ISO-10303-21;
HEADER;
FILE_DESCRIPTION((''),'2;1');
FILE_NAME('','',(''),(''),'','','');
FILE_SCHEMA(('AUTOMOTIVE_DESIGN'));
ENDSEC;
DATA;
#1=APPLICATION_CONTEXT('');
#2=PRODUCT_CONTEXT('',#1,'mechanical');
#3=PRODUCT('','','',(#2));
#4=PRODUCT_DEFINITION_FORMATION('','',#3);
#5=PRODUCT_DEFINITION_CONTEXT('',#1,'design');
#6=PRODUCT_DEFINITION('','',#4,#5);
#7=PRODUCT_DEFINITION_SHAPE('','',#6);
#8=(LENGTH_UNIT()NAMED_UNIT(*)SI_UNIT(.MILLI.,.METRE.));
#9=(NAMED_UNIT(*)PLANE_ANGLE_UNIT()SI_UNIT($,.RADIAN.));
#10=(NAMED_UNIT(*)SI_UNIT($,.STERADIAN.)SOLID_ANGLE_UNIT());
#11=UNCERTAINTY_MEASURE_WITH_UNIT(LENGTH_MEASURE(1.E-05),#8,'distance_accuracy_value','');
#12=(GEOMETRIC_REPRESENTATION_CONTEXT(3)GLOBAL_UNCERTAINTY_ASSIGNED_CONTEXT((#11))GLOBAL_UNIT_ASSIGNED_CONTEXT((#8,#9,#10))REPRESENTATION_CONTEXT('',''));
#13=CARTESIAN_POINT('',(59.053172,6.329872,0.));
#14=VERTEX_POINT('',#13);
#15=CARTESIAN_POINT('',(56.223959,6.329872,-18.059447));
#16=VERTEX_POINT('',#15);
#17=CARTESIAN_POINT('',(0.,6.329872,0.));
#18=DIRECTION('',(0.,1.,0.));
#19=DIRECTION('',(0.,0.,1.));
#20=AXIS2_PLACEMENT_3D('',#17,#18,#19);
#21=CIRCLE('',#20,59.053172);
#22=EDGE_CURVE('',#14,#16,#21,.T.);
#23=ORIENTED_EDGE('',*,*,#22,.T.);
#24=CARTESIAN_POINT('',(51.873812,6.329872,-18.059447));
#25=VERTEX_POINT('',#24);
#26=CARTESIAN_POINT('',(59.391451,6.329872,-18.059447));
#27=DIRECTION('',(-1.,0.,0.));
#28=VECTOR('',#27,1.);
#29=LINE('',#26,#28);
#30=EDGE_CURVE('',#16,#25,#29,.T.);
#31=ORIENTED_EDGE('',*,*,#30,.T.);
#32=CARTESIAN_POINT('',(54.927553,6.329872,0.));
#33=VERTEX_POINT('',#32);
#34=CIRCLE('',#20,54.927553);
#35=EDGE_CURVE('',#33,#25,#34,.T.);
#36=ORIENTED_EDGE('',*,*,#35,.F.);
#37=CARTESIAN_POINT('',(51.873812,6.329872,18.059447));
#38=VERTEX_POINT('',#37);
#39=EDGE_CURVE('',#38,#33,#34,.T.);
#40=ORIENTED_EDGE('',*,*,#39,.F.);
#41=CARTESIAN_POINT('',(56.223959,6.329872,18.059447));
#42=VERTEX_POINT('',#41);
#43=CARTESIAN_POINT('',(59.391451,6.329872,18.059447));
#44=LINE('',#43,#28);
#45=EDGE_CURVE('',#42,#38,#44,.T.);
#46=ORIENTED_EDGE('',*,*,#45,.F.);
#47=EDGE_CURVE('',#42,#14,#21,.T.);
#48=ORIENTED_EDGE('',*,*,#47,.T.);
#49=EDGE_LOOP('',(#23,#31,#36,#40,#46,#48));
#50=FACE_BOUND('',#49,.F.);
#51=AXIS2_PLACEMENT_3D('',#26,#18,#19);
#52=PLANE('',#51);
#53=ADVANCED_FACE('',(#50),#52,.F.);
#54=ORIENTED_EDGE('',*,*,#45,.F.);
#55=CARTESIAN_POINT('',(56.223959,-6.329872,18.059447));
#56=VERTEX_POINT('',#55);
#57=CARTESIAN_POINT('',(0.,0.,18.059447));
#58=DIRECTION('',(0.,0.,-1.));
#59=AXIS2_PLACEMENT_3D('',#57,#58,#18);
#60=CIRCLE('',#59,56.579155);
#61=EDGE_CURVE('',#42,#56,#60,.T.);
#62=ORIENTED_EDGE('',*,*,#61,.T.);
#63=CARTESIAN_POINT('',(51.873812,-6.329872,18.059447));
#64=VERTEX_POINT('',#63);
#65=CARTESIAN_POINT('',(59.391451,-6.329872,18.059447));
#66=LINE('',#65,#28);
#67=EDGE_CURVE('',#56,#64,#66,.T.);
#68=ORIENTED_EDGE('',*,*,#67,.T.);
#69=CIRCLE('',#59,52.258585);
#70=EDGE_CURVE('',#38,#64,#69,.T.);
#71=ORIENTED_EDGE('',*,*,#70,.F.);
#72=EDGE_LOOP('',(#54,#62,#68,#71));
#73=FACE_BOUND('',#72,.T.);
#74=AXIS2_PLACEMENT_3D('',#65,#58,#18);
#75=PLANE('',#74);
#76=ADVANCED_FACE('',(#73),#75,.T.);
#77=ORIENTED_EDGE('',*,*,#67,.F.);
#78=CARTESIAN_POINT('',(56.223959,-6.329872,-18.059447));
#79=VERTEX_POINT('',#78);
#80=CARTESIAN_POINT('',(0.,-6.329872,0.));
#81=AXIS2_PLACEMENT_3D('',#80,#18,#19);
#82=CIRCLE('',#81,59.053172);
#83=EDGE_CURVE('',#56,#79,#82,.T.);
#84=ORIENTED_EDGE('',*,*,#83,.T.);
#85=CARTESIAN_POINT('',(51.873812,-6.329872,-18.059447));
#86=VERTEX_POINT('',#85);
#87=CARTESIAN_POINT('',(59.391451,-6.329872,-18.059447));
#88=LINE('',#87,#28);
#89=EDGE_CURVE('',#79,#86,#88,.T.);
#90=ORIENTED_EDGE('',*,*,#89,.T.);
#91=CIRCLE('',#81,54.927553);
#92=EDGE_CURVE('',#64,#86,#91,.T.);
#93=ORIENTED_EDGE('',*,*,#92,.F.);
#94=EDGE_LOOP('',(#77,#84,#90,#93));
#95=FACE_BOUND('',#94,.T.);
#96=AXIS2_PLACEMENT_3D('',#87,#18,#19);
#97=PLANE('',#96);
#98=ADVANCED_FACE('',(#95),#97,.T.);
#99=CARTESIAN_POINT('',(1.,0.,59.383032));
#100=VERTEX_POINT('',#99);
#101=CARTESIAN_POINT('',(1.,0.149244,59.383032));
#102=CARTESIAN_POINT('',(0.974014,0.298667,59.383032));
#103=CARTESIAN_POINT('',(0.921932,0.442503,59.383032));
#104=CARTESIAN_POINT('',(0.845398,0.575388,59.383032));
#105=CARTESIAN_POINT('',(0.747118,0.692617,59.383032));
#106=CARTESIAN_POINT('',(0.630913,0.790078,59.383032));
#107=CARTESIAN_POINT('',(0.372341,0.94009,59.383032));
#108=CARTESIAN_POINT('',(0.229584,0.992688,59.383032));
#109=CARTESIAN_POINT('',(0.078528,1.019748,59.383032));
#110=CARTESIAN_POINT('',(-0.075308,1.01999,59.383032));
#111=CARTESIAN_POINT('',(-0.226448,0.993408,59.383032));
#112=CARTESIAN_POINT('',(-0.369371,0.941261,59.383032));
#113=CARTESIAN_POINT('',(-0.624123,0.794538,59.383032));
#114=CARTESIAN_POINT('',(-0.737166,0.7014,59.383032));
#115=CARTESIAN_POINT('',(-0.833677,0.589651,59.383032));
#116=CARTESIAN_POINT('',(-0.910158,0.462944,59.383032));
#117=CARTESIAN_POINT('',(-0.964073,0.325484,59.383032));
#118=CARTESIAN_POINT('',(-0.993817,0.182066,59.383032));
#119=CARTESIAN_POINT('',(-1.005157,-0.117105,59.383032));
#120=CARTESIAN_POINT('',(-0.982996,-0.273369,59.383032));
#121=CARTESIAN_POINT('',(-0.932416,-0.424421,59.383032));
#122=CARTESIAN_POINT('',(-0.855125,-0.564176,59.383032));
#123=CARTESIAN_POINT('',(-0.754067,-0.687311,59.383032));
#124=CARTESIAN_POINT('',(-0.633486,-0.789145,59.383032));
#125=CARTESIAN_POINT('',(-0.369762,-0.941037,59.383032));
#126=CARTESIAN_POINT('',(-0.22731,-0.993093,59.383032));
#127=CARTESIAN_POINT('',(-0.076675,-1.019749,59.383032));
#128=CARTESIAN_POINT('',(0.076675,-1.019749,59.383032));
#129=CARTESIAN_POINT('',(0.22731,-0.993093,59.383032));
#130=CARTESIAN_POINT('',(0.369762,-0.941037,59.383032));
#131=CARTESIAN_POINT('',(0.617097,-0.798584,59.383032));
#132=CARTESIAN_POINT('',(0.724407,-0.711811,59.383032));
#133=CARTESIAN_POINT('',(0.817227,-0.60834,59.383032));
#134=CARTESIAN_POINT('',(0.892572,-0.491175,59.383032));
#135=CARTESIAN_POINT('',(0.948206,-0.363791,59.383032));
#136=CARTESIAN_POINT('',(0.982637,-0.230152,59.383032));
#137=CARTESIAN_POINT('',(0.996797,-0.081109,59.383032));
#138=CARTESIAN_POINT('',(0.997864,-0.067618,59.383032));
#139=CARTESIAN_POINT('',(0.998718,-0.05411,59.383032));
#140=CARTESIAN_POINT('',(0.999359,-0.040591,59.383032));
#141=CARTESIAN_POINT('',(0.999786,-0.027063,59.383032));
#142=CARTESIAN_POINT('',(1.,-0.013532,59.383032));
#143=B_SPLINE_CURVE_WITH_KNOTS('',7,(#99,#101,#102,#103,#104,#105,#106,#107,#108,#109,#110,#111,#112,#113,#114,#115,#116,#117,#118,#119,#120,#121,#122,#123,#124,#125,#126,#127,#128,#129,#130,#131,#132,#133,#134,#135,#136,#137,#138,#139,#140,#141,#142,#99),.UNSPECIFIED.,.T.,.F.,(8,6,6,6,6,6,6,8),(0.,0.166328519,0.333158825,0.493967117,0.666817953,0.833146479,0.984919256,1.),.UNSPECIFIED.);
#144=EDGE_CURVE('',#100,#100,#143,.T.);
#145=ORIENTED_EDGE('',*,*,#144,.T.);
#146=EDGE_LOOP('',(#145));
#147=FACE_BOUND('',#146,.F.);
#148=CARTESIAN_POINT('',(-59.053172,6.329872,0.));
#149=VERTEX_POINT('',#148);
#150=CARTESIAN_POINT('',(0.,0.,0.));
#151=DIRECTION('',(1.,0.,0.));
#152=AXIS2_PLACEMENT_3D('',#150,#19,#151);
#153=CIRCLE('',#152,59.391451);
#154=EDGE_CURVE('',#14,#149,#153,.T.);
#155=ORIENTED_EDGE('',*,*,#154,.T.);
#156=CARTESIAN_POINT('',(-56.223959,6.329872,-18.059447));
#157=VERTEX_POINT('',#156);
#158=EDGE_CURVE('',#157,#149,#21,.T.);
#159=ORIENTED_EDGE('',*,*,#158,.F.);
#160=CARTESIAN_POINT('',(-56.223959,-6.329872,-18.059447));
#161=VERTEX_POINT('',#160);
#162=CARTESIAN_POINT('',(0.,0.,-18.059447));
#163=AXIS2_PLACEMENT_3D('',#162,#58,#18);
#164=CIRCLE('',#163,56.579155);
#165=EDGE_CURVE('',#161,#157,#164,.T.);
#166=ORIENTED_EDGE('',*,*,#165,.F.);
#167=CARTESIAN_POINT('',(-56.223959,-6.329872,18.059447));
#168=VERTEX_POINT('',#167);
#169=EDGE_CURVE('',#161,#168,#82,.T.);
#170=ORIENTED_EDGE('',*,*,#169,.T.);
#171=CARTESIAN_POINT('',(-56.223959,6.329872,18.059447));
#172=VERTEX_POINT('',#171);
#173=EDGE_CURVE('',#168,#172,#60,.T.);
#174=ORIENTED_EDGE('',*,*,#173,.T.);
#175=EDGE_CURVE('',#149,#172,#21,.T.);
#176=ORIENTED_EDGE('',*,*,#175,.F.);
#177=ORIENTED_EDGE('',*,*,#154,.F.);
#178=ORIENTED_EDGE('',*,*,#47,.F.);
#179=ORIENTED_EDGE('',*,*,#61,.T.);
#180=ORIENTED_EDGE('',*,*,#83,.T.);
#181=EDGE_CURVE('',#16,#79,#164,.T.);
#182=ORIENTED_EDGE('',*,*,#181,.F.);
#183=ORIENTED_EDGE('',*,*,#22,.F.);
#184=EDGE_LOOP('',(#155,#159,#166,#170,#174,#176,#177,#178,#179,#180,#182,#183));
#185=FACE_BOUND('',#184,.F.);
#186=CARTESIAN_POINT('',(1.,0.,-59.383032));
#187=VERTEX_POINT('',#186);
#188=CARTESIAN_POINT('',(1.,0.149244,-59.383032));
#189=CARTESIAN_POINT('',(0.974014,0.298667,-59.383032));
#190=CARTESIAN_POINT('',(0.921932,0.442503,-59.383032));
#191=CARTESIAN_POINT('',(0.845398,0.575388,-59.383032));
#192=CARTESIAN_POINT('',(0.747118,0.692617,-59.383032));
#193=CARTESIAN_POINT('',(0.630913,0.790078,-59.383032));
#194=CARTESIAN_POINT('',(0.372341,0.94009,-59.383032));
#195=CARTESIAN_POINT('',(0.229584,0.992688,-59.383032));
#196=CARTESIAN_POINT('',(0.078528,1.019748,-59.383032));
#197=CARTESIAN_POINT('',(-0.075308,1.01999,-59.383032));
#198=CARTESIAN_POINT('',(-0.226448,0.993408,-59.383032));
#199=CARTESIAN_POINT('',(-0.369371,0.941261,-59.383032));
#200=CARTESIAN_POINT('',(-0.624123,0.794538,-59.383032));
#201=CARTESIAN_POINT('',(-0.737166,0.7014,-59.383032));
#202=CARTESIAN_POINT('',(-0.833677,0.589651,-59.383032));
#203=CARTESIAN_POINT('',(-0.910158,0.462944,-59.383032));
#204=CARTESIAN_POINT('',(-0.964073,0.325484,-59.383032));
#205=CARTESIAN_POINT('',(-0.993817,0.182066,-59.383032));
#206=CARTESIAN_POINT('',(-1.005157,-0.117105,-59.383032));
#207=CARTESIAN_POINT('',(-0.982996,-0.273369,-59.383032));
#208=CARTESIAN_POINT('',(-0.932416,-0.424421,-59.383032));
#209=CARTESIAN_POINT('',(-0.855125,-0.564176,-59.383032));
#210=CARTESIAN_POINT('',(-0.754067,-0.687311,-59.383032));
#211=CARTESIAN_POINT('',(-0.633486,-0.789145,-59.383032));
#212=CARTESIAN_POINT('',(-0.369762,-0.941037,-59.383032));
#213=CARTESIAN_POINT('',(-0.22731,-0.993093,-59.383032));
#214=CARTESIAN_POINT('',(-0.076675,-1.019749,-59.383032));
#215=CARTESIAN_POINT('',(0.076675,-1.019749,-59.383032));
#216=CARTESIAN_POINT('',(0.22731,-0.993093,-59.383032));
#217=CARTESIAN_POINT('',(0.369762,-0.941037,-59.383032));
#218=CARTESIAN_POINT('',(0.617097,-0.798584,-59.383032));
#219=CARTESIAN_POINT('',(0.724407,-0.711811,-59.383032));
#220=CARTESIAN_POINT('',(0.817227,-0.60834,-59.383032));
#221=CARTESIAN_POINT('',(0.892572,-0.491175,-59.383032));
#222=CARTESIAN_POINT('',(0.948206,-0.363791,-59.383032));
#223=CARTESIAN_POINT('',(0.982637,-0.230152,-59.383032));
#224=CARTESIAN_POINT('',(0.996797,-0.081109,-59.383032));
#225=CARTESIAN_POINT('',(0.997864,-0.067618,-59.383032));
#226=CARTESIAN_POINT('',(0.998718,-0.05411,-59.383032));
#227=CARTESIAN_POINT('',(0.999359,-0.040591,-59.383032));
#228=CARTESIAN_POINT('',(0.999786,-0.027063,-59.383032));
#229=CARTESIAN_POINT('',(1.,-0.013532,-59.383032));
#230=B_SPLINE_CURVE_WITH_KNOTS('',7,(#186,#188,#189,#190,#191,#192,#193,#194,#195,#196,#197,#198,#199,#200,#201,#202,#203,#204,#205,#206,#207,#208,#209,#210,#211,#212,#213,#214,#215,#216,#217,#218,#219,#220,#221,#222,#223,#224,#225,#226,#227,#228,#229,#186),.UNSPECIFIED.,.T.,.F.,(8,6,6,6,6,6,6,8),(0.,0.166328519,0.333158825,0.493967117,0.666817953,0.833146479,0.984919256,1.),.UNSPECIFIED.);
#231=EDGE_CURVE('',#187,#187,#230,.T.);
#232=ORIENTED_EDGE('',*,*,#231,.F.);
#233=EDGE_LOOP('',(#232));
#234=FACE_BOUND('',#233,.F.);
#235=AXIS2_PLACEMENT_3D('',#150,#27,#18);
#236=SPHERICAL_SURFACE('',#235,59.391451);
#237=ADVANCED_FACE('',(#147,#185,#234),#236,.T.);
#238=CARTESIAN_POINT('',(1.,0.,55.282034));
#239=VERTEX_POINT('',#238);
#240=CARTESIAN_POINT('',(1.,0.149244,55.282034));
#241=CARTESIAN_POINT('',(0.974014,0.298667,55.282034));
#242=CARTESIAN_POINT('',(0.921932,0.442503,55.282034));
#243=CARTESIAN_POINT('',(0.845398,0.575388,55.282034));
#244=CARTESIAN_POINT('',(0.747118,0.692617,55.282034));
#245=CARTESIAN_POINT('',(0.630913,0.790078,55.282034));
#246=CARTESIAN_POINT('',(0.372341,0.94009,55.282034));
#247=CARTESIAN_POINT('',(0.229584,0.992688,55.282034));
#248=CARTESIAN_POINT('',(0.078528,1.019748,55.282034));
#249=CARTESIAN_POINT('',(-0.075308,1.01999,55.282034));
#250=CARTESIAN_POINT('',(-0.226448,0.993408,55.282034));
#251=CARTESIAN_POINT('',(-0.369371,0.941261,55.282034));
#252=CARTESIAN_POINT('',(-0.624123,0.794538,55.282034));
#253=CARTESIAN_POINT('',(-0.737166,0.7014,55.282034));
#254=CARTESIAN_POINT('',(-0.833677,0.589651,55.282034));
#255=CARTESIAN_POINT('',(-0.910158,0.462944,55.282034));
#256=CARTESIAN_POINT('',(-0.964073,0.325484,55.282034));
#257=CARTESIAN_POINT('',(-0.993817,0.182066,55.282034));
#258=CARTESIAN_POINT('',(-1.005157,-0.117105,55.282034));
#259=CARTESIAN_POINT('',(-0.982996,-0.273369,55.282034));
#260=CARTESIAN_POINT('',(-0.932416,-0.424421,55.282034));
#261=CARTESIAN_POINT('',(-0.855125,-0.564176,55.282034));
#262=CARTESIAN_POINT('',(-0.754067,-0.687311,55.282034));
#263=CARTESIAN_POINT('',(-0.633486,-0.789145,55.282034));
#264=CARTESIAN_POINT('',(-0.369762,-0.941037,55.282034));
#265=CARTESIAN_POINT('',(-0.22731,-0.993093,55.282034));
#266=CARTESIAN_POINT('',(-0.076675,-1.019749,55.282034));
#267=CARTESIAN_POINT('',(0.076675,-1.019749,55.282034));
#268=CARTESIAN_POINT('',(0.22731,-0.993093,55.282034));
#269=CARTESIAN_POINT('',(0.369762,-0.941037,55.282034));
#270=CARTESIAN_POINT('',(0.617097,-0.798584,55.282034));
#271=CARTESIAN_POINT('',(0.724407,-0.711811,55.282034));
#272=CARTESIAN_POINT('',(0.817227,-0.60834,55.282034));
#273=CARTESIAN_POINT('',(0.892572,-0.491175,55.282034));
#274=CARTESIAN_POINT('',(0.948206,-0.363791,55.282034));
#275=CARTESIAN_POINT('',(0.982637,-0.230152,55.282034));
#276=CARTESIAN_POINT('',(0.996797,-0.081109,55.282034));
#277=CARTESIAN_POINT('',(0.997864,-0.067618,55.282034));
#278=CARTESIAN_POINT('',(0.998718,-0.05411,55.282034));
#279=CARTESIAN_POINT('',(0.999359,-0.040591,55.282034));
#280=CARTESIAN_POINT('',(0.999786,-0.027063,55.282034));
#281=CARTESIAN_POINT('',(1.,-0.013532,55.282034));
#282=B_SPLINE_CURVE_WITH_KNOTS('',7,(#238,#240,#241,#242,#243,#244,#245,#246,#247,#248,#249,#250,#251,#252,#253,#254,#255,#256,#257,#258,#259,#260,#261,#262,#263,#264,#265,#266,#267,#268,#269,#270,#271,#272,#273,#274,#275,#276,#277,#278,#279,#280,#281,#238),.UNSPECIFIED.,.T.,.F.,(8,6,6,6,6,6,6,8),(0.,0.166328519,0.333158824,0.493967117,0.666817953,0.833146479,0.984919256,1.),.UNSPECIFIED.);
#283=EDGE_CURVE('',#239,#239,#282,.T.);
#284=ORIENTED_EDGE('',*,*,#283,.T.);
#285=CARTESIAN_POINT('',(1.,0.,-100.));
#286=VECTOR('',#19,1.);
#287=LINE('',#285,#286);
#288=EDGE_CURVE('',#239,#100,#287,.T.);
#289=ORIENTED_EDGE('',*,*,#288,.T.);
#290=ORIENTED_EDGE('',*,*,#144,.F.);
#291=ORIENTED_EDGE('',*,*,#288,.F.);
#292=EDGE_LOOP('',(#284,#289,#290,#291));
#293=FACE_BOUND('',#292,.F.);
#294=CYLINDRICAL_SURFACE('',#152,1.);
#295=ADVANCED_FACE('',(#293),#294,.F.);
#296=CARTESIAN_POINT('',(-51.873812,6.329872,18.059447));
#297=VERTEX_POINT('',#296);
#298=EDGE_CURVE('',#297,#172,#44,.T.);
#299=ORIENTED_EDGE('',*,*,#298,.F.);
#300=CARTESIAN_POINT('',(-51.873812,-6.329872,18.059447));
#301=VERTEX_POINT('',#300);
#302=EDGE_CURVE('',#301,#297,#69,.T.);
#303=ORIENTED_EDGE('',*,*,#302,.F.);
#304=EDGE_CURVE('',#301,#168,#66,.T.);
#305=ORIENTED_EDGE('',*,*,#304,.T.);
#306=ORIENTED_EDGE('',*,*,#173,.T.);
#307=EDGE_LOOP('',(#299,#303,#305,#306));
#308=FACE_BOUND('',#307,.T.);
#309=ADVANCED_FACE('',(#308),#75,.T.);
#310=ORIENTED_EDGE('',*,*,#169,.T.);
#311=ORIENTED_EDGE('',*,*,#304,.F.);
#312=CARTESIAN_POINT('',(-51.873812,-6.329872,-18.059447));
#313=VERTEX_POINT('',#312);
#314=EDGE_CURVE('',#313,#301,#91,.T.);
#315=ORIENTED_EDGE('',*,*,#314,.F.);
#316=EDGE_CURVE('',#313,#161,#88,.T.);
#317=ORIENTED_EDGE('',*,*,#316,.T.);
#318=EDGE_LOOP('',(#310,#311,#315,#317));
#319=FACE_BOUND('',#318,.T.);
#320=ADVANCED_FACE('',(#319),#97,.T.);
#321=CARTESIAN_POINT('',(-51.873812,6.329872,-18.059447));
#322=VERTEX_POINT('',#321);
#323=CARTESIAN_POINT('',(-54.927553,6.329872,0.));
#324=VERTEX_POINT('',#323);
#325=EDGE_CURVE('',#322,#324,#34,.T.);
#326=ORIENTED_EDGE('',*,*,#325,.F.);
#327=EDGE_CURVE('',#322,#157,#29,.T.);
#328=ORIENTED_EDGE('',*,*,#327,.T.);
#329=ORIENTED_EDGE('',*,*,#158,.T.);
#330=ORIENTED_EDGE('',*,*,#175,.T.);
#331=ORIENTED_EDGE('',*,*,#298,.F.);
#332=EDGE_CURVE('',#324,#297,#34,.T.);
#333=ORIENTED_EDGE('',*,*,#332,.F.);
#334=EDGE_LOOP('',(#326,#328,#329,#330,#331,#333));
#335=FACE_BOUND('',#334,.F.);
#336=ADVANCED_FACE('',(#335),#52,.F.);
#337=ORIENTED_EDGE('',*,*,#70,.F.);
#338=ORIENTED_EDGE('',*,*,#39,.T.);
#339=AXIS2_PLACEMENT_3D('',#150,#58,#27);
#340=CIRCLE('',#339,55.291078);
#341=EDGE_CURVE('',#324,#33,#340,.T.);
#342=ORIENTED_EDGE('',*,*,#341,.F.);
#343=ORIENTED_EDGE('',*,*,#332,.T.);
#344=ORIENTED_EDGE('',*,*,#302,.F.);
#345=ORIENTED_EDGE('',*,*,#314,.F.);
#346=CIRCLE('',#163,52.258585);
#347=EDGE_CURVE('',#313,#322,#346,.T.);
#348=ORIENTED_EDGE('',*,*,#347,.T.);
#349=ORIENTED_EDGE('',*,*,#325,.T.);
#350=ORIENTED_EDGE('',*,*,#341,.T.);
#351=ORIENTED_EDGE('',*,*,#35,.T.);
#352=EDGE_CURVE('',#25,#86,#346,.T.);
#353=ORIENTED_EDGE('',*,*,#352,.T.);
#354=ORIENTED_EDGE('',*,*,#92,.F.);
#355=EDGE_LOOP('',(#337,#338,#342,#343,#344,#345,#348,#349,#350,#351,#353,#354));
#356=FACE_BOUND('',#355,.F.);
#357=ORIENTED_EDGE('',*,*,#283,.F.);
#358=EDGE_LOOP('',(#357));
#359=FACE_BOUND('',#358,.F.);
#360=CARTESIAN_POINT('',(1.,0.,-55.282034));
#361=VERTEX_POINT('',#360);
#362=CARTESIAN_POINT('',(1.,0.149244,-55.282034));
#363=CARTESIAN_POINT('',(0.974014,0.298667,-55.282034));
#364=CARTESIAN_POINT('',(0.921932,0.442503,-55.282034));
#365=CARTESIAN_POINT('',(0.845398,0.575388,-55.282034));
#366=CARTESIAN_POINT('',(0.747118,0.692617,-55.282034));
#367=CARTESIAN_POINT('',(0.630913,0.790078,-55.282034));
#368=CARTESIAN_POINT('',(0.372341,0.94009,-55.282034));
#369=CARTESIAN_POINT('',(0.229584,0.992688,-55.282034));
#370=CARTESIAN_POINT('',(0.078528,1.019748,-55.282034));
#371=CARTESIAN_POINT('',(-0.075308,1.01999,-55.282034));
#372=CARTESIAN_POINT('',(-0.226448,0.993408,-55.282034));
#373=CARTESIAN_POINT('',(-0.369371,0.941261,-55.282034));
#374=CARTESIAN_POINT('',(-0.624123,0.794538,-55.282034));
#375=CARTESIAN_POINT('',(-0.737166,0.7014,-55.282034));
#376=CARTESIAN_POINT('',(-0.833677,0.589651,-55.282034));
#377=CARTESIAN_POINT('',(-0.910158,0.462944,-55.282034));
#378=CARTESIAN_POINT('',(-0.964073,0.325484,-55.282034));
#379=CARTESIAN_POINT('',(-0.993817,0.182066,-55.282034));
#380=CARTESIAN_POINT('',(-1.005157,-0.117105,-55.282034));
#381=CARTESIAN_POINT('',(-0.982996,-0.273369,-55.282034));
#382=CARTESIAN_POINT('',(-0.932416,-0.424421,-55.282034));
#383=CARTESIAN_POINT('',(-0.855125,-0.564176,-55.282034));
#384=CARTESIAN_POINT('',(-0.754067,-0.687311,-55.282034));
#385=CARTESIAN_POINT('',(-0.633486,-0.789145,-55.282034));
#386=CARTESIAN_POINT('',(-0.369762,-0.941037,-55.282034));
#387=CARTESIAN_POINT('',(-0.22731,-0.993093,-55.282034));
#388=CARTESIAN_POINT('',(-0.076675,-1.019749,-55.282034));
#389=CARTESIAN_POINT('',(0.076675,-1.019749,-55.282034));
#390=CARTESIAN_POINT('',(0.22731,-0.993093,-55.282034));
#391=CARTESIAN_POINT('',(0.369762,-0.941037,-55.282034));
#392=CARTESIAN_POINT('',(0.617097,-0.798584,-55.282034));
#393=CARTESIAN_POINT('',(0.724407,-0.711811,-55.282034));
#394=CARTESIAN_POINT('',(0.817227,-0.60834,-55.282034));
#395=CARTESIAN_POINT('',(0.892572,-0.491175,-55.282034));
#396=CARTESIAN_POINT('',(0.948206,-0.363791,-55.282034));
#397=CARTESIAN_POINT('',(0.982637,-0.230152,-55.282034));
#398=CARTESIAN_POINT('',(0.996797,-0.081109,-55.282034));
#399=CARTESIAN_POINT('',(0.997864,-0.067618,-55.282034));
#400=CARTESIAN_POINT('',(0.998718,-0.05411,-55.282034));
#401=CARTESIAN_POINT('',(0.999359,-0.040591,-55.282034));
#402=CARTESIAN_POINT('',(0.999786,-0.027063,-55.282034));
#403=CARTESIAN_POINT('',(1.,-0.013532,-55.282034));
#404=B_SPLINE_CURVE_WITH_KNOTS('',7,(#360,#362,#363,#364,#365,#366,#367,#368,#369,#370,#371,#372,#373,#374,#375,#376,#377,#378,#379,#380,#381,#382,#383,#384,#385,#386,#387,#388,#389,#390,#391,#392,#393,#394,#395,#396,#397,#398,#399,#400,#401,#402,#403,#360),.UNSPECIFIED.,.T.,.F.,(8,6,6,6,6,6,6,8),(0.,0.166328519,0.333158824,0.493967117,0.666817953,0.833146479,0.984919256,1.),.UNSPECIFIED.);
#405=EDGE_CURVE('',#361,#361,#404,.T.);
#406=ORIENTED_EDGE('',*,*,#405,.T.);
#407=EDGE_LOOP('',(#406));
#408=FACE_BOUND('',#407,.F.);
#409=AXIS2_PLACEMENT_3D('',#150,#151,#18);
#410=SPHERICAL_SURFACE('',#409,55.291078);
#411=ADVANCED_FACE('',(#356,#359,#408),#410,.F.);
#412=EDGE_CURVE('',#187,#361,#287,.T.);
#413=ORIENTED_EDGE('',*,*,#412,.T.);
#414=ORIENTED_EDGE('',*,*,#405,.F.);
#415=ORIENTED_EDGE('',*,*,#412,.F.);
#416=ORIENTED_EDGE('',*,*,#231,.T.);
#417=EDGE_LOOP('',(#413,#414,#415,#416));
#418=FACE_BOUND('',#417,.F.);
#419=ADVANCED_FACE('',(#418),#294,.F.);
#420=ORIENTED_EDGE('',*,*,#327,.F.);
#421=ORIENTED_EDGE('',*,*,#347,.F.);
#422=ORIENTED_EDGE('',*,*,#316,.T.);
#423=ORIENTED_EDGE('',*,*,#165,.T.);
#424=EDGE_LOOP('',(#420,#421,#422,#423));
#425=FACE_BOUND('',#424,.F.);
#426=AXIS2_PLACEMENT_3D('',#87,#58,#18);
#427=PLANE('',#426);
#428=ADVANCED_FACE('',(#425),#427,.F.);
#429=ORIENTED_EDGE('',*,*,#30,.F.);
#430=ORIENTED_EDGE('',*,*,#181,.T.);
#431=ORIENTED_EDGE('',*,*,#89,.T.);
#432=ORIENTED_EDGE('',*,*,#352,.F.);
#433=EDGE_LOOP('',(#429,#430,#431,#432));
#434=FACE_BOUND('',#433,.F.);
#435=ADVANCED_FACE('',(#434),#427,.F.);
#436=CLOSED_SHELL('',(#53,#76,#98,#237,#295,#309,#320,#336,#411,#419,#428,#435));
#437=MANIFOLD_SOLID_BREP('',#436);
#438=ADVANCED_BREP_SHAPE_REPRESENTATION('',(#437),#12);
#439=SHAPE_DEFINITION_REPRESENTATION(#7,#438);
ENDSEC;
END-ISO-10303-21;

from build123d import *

# Parameters (mm, degrees)
F3_R     = 1
F4_DEPTH = 100
F7_W     = 12.659744
F7_H     = 36.118894
F8_DEPTH = 118.783902


with BuildPart() as f2:
    # F0 (on Top) → F2 (revolve)
    with BuildSketch(Plane.XY):
        with BuildLine():
            ThreePointArc((-55.291078, 0), (0, 55.291078), (55.291078, 0))
            Line((55.291078, 0), (59.391451, 0))
            ThreePointArc((59.391451, 0), (0, 59.391451), (-59.391451, 0))
            Line((-59.391451, 0), (-55.291078, 0))
        make_face()
    revolve(axis=Axis((34.508616, 0, 0), (1, 0, 0)))


with BuildPart() as f4:
    # F3 (on Top) → F4 (new body, symmetric)
    with BuildSketch(Plane.XY):
        Circle(F3_R)
    extrude(amount=F4_DEPTH, both=True)


with BuildPart() as f2_1:
    add(f2.part)

    # F5: cut F4
    add(f4.part, mode=Mode.SUBTRACT)

    # F7 (on plane+point) → F8 (cut, through all)
    with BuildSketch(Plane.YZ.offset(59.391451)):
        Rectangle(F7_W, F7_H)
    extrude(amount=-F8_DEPTH, mode=Mode.SUBTRACT)


solid = f2_1.part
